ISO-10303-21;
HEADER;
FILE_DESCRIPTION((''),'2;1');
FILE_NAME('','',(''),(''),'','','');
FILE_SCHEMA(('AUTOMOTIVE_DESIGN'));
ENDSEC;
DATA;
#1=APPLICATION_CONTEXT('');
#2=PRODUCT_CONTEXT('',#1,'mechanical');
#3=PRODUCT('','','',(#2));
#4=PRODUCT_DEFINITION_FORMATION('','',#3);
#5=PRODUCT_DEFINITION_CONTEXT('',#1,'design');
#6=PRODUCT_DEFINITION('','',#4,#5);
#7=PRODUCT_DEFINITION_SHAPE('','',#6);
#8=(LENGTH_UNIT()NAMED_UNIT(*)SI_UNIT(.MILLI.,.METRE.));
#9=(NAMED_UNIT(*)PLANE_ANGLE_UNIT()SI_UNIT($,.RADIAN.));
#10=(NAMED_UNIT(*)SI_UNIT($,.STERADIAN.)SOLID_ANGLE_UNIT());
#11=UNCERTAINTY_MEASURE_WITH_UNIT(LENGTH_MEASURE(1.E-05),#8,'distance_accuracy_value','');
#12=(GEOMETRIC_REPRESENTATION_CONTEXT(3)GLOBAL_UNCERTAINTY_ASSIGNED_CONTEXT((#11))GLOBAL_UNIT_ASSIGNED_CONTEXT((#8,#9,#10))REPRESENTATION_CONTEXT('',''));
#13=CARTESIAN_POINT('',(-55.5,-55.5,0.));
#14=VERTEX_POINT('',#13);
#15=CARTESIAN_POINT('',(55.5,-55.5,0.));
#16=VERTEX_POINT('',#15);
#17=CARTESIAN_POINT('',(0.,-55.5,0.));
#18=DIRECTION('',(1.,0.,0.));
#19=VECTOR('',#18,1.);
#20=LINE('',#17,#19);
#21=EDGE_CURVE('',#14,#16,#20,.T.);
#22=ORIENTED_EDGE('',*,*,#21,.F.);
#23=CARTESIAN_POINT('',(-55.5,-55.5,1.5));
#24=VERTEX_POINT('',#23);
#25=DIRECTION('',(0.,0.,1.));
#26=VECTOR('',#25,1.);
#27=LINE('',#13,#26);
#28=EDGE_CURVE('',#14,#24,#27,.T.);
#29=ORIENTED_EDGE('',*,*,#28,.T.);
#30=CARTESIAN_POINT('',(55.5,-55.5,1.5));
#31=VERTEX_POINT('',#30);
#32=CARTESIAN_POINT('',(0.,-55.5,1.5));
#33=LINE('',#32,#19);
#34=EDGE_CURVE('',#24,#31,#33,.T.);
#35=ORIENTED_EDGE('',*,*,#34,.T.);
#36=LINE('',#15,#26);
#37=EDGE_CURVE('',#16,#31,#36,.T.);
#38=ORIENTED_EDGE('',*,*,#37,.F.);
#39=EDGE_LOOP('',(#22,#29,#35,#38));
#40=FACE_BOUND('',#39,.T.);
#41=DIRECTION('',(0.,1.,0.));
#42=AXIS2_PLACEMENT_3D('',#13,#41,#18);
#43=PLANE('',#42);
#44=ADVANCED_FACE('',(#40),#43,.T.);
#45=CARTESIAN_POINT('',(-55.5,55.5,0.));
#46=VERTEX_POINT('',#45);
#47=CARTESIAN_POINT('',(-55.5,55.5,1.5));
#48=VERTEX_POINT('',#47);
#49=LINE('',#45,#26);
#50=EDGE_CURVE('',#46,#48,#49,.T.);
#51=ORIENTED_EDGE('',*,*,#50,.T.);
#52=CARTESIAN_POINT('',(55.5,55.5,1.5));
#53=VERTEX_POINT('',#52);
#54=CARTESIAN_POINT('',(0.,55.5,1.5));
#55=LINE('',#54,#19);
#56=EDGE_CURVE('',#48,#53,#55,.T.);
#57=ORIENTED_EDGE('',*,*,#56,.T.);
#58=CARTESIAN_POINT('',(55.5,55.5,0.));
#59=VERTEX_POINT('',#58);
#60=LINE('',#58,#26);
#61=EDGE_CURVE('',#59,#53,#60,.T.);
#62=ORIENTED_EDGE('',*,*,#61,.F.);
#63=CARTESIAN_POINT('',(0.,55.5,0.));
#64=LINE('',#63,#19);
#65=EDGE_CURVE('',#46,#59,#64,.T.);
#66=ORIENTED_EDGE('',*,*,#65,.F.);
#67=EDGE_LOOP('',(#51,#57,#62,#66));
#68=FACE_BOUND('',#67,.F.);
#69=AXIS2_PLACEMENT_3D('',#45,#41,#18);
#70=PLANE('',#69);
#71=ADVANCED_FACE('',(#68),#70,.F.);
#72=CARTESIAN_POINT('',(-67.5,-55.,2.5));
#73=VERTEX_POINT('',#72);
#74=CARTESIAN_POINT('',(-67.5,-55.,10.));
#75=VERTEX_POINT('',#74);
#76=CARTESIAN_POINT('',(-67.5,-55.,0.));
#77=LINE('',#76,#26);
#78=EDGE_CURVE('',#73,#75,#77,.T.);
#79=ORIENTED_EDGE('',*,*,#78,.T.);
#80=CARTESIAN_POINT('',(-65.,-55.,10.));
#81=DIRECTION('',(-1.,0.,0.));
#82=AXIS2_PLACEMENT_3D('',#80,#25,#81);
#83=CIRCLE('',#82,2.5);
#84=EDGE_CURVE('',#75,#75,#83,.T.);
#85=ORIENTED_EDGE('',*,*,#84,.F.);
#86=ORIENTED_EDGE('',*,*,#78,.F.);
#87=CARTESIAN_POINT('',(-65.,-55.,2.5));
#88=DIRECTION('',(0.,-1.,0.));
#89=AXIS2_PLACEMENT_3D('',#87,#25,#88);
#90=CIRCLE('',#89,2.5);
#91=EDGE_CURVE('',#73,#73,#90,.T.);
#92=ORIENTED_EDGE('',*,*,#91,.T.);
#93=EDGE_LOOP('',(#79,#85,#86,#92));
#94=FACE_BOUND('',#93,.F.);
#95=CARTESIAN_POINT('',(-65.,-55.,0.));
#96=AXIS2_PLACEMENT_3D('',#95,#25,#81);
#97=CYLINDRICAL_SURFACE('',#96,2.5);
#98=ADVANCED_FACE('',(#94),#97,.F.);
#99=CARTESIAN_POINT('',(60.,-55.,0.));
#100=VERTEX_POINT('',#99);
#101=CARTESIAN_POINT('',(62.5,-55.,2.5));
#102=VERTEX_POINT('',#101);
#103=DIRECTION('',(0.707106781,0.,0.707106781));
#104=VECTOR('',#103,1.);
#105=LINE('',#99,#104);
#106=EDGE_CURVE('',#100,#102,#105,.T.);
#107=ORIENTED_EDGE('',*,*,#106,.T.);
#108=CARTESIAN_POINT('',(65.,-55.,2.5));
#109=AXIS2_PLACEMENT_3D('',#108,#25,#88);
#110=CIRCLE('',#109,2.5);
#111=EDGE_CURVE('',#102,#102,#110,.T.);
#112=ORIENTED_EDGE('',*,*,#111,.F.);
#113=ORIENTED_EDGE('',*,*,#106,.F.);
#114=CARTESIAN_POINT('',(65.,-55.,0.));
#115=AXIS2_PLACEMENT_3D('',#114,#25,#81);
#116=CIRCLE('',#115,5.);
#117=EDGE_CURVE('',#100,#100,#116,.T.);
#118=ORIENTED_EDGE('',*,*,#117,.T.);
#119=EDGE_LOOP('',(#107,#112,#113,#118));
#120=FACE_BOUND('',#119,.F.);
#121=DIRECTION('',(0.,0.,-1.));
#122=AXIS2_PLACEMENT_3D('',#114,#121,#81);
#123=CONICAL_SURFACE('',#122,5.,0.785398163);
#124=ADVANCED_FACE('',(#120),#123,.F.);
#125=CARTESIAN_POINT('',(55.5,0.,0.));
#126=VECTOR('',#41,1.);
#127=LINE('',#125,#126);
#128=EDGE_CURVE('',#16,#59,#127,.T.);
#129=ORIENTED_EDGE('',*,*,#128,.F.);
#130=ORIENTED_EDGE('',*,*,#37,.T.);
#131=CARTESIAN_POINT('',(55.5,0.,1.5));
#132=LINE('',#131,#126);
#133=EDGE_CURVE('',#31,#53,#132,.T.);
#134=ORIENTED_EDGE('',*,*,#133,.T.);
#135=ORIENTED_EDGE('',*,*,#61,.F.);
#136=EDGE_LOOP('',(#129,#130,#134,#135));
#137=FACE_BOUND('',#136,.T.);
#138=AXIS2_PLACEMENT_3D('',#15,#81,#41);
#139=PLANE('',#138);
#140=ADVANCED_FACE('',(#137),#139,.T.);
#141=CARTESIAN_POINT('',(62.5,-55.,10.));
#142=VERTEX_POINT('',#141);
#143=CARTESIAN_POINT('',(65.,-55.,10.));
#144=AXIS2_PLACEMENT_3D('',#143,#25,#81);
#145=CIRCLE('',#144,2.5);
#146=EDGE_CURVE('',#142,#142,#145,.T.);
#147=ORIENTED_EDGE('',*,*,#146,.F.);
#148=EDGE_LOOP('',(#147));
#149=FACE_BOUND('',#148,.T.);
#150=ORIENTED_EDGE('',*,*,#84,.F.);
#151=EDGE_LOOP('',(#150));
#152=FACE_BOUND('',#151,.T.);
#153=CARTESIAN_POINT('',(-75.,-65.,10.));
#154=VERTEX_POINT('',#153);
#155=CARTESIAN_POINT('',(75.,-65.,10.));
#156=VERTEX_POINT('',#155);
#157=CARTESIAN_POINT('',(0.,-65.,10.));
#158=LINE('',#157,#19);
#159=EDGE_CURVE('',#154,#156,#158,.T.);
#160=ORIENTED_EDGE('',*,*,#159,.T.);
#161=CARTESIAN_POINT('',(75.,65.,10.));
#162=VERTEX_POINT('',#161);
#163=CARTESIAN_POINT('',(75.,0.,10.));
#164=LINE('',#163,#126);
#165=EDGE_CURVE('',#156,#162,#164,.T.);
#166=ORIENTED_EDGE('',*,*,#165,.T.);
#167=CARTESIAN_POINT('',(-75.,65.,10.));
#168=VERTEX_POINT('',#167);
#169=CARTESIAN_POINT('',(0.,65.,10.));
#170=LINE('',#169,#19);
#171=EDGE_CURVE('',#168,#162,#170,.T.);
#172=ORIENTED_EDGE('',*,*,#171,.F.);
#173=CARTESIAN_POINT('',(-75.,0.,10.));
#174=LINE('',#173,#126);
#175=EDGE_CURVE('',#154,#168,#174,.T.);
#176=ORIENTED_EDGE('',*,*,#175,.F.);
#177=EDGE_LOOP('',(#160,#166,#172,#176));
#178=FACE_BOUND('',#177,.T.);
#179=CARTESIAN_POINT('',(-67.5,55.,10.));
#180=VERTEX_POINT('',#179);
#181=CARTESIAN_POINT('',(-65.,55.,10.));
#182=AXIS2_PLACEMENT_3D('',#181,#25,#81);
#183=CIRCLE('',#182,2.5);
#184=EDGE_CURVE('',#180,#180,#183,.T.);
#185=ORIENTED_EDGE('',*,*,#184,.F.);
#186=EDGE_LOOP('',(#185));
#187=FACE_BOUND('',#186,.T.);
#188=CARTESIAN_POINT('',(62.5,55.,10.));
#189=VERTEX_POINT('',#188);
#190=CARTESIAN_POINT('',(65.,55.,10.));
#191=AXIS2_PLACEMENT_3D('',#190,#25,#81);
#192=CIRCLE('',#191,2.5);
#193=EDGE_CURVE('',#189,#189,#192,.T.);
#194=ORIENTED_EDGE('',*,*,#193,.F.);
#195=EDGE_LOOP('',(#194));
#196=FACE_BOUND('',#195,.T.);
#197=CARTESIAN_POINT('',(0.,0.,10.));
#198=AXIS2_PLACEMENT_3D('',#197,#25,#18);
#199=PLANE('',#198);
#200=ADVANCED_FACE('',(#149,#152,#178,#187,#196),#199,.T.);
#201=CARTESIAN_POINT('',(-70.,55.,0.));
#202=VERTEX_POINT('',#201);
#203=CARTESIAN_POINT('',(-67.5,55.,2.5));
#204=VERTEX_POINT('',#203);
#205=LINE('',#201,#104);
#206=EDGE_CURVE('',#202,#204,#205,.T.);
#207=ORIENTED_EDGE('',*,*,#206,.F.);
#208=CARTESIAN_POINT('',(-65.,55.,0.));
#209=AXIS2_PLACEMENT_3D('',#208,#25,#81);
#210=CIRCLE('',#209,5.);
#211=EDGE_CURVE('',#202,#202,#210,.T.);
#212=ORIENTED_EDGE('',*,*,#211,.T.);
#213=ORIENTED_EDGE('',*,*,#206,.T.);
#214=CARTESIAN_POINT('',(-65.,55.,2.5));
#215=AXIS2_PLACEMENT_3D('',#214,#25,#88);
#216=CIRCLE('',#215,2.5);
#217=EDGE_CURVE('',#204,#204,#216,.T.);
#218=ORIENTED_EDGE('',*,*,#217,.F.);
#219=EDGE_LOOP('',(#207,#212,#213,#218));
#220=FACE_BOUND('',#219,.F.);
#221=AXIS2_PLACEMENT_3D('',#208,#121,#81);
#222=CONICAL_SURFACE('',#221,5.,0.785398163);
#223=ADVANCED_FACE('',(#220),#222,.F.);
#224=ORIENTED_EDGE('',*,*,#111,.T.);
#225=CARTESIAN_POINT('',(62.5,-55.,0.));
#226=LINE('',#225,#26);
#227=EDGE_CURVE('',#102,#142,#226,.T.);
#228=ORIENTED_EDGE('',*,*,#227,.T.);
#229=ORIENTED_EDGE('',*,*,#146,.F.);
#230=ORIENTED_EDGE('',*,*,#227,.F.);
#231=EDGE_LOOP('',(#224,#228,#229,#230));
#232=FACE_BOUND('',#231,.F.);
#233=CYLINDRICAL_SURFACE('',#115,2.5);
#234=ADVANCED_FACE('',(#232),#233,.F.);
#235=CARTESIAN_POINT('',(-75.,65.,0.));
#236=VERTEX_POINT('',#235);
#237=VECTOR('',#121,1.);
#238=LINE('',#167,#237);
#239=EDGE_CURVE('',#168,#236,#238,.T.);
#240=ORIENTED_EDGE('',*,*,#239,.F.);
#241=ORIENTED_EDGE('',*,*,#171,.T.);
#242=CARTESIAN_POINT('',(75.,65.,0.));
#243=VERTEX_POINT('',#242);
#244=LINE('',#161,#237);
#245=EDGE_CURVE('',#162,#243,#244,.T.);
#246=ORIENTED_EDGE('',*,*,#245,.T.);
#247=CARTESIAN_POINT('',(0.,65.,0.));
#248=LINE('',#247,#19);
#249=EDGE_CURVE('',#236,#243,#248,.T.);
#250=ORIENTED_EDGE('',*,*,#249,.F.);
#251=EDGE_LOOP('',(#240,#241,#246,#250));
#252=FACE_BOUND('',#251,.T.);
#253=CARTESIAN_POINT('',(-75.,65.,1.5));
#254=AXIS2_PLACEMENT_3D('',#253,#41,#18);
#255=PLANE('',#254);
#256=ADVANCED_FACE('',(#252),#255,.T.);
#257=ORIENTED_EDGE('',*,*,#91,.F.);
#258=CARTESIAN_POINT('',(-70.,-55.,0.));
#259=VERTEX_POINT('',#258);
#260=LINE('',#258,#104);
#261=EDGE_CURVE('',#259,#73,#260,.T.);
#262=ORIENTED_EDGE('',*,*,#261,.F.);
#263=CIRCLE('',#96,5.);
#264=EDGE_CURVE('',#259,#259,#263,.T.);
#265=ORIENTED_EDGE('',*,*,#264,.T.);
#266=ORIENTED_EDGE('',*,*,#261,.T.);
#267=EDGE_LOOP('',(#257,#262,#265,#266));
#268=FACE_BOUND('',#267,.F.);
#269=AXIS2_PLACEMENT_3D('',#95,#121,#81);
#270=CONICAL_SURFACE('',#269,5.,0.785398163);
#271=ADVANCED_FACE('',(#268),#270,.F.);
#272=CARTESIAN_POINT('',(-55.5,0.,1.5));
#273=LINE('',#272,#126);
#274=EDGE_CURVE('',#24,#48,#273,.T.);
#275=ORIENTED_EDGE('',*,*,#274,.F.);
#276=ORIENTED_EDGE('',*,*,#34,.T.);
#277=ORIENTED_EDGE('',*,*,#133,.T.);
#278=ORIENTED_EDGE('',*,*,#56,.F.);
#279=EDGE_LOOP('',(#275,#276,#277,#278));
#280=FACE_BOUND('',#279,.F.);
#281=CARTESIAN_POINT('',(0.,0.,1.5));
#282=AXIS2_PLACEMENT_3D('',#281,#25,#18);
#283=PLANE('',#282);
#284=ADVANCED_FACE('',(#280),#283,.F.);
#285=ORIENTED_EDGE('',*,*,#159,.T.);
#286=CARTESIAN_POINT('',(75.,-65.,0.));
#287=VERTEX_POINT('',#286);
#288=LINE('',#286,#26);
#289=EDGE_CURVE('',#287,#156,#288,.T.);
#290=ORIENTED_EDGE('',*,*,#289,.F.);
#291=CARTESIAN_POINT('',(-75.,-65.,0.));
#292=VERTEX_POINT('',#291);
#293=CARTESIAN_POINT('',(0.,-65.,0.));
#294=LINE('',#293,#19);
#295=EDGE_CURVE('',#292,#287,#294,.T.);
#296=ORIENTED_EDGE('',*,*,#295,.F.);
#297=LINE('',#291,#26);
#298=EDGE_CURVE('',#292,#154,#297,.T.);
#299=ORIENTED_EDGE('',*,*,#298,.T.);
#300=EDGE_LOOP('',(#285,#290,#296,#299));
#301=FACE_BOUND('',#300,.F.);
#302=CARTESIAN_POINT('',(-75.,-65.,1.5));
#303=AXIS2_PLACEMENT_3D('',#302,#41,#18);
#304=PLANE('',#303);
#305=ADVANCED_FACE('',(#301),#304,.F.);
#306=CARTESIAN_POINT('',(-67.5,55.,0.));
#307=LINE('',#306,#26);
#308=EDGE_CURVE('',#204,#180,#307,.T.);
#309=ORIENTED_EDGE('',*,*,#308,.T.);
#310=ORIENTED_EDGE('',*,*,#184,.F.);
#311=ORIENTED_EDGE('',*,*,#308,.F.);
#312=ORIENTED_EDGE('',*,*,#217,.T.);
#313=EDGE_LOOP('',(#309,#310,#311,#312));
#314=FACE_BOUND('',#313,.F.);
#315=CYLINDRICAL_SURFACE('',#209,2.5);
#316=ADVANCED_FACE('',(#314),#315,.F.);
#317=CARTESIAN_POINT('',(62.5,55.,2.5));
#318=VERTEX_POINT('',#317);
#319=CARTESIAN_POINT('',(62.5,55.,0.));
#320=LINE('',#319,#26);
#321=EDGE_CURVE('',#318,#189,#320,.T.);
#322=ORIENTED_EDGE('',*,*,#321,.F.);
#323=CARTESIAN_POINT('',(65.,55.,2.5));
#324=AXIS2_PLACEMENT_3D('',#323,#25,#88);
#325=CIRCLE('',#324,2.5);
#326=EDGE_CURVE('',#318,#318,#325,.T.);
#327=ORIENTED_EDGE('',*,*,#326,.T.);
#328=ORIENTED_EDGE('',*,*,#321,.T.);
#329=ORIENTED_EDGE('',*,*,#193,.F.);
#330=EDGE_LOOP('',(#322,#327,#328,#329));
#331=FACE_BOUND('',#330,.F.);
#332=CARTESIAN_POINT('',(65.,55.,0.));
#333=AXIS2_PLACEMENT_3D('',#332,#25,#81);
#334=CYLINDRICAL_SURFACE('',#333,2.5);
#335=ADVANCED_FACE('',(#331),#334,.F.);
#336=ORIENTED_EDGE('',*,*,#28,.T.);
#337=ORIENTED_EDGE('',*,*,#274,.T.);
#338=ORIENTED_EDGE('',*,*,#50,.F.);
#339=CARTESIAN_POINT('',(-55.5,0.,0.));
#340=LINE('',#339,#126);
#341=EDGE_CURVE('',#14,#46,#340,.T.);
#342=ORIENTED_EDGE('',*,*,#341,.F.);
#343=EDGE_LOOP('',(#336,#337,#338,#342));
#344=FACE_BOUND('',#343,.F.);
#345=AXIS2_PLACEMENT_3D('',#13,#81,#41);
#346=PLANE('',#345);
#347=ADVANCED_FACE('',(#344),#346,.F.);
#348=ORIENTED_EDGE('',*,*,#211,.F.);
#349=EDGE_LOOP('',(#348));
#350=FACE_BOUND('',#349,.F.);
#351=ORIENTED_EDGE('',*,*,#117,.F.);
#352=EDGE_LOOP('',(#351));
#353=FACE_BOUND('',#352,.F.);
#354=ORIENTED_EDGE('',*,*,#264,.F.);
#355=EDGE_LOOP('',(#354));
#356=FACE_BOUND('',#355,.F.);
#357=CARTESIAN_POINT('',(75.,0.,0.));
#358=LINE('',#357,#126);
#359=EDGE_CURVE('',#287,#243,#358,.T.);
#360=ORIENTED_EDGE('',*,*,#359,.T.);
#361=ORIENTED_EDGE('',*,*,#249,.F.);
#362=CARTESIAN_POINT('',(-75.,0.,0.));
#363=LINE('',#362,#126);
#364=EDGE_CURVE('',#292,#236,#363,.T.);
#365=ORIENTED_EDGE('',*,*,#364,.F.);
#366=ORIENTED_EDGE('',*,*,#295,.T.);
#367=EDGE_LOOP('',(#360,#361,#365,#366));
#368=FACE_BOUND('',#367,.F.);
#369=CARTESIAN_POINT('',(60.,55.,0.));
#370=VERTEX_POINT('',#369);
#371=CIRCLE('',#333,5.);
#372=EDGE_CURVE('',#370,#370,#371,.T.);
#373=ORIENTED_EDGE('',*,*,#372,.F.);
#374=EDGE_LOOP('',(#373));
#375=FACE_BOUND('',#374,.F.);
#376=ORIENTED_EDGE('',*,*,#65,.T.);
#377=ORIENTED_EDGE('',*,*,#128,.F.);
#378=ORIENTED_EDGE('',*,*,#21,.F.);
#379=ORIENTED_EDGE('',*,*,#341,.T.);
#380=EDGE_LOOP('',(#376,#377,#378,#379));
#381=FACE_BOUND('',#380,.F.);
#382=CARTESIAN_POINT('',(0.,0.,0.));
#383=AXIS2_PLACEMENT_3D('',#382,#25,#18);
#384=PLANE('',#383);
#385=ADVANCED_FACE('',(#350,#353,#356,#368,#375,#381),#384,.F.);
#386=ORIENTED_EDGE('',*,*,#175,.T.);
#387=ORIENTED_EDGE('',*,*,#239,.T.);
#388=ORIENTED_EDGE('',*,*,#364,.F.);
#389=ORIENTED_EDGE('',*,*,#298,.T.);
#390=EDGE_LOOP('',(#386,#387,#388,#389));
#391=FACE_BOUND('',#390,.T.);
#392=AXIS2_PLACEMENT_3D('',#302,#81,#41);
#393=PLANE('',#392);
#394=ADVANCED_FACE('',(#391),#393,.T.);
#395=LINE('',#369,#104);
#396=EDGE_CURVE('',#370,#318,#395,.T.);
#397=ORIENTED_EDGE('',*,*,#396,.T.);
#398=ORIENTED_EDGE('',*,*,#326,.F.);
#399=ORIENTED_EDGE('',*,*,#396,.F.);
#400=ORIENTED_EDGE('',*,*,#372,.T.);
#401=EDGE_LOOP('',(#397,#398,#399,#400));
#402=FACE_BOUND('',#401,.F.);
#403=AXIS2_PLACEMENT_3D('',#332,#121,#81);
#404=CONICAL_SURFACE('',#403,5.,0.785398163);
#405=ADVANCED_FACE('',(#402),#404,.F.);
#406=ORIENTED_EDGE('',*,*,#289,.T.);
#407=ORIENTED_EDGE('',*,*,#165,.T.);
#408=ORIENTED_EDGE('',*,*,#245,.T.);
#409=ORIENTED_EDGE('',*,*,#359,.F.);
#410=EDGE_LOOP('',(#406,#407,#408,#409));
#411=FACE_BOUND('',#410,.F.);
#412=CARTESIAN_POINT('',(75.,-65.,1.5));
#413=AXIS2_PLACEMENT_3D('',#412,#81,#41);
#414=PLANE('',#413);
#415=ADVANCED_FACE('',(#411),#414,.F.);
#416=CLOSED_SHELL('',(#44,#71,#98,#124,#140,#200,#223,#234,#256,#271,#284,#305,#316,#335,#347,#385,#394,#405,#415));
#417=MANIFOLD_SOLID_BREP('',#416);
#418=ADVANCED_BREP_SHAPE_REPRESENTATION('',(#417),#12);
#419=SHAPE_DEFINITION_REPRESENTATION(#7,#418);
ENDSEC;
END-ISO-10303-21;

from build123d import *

# Parameters (mm, degrees)
SKETCH_W         = 150
SKETCH_H         = 130
SKETCH_W_2       = 111
SKETCH_H_2       = 111
PAD_DEPTH        = 1.5
SKETCH001_W      = 150
SKETCH001_H      = 130
PAD001_DEPTH     = 8.5
HOLE_D           = 5
HOLE_DEPTH       = 25
HOLE_CSINK_D     = 10
HOLE_CSINK_ANGLE = 90


with BuildPart() as part:
    # Sketch → Pad (new body)
    with BuildSketch(Plane.XY):
        Rectangle(SKETCH_W, SKETCH_H)
        Rectangle(SKETCH_W_2, SKETCH_H_2, mode=Mode.SUBTRACT)
    extrude(amount=PAD_DEPTH)

    # Sketch001 (on Face10 of Pad) → Pad001 (join)
    with BuildSketch(Plane.XY.offset(1.5)):
        Rectangle(SKETCH001_W, SKETCH001_H)
    extrude(amount=PAD001_DEPTH)

    # Hole
    with Locations(Plane(origin=(0, 0, 0), x_dir=(1, 0, 0), z_dir=(0, 0, -1))):
        with Locations((-65, 55), (65, 55), (65, -55), (-65, -55)):
            CounterSinkHole(HOLE_D / 2, HOLE_CSINK_D / 2, depth=HOLE_DEPTH, counter_sink_angle=HOLE_CSINK_ANGLE)


solid = part.part
